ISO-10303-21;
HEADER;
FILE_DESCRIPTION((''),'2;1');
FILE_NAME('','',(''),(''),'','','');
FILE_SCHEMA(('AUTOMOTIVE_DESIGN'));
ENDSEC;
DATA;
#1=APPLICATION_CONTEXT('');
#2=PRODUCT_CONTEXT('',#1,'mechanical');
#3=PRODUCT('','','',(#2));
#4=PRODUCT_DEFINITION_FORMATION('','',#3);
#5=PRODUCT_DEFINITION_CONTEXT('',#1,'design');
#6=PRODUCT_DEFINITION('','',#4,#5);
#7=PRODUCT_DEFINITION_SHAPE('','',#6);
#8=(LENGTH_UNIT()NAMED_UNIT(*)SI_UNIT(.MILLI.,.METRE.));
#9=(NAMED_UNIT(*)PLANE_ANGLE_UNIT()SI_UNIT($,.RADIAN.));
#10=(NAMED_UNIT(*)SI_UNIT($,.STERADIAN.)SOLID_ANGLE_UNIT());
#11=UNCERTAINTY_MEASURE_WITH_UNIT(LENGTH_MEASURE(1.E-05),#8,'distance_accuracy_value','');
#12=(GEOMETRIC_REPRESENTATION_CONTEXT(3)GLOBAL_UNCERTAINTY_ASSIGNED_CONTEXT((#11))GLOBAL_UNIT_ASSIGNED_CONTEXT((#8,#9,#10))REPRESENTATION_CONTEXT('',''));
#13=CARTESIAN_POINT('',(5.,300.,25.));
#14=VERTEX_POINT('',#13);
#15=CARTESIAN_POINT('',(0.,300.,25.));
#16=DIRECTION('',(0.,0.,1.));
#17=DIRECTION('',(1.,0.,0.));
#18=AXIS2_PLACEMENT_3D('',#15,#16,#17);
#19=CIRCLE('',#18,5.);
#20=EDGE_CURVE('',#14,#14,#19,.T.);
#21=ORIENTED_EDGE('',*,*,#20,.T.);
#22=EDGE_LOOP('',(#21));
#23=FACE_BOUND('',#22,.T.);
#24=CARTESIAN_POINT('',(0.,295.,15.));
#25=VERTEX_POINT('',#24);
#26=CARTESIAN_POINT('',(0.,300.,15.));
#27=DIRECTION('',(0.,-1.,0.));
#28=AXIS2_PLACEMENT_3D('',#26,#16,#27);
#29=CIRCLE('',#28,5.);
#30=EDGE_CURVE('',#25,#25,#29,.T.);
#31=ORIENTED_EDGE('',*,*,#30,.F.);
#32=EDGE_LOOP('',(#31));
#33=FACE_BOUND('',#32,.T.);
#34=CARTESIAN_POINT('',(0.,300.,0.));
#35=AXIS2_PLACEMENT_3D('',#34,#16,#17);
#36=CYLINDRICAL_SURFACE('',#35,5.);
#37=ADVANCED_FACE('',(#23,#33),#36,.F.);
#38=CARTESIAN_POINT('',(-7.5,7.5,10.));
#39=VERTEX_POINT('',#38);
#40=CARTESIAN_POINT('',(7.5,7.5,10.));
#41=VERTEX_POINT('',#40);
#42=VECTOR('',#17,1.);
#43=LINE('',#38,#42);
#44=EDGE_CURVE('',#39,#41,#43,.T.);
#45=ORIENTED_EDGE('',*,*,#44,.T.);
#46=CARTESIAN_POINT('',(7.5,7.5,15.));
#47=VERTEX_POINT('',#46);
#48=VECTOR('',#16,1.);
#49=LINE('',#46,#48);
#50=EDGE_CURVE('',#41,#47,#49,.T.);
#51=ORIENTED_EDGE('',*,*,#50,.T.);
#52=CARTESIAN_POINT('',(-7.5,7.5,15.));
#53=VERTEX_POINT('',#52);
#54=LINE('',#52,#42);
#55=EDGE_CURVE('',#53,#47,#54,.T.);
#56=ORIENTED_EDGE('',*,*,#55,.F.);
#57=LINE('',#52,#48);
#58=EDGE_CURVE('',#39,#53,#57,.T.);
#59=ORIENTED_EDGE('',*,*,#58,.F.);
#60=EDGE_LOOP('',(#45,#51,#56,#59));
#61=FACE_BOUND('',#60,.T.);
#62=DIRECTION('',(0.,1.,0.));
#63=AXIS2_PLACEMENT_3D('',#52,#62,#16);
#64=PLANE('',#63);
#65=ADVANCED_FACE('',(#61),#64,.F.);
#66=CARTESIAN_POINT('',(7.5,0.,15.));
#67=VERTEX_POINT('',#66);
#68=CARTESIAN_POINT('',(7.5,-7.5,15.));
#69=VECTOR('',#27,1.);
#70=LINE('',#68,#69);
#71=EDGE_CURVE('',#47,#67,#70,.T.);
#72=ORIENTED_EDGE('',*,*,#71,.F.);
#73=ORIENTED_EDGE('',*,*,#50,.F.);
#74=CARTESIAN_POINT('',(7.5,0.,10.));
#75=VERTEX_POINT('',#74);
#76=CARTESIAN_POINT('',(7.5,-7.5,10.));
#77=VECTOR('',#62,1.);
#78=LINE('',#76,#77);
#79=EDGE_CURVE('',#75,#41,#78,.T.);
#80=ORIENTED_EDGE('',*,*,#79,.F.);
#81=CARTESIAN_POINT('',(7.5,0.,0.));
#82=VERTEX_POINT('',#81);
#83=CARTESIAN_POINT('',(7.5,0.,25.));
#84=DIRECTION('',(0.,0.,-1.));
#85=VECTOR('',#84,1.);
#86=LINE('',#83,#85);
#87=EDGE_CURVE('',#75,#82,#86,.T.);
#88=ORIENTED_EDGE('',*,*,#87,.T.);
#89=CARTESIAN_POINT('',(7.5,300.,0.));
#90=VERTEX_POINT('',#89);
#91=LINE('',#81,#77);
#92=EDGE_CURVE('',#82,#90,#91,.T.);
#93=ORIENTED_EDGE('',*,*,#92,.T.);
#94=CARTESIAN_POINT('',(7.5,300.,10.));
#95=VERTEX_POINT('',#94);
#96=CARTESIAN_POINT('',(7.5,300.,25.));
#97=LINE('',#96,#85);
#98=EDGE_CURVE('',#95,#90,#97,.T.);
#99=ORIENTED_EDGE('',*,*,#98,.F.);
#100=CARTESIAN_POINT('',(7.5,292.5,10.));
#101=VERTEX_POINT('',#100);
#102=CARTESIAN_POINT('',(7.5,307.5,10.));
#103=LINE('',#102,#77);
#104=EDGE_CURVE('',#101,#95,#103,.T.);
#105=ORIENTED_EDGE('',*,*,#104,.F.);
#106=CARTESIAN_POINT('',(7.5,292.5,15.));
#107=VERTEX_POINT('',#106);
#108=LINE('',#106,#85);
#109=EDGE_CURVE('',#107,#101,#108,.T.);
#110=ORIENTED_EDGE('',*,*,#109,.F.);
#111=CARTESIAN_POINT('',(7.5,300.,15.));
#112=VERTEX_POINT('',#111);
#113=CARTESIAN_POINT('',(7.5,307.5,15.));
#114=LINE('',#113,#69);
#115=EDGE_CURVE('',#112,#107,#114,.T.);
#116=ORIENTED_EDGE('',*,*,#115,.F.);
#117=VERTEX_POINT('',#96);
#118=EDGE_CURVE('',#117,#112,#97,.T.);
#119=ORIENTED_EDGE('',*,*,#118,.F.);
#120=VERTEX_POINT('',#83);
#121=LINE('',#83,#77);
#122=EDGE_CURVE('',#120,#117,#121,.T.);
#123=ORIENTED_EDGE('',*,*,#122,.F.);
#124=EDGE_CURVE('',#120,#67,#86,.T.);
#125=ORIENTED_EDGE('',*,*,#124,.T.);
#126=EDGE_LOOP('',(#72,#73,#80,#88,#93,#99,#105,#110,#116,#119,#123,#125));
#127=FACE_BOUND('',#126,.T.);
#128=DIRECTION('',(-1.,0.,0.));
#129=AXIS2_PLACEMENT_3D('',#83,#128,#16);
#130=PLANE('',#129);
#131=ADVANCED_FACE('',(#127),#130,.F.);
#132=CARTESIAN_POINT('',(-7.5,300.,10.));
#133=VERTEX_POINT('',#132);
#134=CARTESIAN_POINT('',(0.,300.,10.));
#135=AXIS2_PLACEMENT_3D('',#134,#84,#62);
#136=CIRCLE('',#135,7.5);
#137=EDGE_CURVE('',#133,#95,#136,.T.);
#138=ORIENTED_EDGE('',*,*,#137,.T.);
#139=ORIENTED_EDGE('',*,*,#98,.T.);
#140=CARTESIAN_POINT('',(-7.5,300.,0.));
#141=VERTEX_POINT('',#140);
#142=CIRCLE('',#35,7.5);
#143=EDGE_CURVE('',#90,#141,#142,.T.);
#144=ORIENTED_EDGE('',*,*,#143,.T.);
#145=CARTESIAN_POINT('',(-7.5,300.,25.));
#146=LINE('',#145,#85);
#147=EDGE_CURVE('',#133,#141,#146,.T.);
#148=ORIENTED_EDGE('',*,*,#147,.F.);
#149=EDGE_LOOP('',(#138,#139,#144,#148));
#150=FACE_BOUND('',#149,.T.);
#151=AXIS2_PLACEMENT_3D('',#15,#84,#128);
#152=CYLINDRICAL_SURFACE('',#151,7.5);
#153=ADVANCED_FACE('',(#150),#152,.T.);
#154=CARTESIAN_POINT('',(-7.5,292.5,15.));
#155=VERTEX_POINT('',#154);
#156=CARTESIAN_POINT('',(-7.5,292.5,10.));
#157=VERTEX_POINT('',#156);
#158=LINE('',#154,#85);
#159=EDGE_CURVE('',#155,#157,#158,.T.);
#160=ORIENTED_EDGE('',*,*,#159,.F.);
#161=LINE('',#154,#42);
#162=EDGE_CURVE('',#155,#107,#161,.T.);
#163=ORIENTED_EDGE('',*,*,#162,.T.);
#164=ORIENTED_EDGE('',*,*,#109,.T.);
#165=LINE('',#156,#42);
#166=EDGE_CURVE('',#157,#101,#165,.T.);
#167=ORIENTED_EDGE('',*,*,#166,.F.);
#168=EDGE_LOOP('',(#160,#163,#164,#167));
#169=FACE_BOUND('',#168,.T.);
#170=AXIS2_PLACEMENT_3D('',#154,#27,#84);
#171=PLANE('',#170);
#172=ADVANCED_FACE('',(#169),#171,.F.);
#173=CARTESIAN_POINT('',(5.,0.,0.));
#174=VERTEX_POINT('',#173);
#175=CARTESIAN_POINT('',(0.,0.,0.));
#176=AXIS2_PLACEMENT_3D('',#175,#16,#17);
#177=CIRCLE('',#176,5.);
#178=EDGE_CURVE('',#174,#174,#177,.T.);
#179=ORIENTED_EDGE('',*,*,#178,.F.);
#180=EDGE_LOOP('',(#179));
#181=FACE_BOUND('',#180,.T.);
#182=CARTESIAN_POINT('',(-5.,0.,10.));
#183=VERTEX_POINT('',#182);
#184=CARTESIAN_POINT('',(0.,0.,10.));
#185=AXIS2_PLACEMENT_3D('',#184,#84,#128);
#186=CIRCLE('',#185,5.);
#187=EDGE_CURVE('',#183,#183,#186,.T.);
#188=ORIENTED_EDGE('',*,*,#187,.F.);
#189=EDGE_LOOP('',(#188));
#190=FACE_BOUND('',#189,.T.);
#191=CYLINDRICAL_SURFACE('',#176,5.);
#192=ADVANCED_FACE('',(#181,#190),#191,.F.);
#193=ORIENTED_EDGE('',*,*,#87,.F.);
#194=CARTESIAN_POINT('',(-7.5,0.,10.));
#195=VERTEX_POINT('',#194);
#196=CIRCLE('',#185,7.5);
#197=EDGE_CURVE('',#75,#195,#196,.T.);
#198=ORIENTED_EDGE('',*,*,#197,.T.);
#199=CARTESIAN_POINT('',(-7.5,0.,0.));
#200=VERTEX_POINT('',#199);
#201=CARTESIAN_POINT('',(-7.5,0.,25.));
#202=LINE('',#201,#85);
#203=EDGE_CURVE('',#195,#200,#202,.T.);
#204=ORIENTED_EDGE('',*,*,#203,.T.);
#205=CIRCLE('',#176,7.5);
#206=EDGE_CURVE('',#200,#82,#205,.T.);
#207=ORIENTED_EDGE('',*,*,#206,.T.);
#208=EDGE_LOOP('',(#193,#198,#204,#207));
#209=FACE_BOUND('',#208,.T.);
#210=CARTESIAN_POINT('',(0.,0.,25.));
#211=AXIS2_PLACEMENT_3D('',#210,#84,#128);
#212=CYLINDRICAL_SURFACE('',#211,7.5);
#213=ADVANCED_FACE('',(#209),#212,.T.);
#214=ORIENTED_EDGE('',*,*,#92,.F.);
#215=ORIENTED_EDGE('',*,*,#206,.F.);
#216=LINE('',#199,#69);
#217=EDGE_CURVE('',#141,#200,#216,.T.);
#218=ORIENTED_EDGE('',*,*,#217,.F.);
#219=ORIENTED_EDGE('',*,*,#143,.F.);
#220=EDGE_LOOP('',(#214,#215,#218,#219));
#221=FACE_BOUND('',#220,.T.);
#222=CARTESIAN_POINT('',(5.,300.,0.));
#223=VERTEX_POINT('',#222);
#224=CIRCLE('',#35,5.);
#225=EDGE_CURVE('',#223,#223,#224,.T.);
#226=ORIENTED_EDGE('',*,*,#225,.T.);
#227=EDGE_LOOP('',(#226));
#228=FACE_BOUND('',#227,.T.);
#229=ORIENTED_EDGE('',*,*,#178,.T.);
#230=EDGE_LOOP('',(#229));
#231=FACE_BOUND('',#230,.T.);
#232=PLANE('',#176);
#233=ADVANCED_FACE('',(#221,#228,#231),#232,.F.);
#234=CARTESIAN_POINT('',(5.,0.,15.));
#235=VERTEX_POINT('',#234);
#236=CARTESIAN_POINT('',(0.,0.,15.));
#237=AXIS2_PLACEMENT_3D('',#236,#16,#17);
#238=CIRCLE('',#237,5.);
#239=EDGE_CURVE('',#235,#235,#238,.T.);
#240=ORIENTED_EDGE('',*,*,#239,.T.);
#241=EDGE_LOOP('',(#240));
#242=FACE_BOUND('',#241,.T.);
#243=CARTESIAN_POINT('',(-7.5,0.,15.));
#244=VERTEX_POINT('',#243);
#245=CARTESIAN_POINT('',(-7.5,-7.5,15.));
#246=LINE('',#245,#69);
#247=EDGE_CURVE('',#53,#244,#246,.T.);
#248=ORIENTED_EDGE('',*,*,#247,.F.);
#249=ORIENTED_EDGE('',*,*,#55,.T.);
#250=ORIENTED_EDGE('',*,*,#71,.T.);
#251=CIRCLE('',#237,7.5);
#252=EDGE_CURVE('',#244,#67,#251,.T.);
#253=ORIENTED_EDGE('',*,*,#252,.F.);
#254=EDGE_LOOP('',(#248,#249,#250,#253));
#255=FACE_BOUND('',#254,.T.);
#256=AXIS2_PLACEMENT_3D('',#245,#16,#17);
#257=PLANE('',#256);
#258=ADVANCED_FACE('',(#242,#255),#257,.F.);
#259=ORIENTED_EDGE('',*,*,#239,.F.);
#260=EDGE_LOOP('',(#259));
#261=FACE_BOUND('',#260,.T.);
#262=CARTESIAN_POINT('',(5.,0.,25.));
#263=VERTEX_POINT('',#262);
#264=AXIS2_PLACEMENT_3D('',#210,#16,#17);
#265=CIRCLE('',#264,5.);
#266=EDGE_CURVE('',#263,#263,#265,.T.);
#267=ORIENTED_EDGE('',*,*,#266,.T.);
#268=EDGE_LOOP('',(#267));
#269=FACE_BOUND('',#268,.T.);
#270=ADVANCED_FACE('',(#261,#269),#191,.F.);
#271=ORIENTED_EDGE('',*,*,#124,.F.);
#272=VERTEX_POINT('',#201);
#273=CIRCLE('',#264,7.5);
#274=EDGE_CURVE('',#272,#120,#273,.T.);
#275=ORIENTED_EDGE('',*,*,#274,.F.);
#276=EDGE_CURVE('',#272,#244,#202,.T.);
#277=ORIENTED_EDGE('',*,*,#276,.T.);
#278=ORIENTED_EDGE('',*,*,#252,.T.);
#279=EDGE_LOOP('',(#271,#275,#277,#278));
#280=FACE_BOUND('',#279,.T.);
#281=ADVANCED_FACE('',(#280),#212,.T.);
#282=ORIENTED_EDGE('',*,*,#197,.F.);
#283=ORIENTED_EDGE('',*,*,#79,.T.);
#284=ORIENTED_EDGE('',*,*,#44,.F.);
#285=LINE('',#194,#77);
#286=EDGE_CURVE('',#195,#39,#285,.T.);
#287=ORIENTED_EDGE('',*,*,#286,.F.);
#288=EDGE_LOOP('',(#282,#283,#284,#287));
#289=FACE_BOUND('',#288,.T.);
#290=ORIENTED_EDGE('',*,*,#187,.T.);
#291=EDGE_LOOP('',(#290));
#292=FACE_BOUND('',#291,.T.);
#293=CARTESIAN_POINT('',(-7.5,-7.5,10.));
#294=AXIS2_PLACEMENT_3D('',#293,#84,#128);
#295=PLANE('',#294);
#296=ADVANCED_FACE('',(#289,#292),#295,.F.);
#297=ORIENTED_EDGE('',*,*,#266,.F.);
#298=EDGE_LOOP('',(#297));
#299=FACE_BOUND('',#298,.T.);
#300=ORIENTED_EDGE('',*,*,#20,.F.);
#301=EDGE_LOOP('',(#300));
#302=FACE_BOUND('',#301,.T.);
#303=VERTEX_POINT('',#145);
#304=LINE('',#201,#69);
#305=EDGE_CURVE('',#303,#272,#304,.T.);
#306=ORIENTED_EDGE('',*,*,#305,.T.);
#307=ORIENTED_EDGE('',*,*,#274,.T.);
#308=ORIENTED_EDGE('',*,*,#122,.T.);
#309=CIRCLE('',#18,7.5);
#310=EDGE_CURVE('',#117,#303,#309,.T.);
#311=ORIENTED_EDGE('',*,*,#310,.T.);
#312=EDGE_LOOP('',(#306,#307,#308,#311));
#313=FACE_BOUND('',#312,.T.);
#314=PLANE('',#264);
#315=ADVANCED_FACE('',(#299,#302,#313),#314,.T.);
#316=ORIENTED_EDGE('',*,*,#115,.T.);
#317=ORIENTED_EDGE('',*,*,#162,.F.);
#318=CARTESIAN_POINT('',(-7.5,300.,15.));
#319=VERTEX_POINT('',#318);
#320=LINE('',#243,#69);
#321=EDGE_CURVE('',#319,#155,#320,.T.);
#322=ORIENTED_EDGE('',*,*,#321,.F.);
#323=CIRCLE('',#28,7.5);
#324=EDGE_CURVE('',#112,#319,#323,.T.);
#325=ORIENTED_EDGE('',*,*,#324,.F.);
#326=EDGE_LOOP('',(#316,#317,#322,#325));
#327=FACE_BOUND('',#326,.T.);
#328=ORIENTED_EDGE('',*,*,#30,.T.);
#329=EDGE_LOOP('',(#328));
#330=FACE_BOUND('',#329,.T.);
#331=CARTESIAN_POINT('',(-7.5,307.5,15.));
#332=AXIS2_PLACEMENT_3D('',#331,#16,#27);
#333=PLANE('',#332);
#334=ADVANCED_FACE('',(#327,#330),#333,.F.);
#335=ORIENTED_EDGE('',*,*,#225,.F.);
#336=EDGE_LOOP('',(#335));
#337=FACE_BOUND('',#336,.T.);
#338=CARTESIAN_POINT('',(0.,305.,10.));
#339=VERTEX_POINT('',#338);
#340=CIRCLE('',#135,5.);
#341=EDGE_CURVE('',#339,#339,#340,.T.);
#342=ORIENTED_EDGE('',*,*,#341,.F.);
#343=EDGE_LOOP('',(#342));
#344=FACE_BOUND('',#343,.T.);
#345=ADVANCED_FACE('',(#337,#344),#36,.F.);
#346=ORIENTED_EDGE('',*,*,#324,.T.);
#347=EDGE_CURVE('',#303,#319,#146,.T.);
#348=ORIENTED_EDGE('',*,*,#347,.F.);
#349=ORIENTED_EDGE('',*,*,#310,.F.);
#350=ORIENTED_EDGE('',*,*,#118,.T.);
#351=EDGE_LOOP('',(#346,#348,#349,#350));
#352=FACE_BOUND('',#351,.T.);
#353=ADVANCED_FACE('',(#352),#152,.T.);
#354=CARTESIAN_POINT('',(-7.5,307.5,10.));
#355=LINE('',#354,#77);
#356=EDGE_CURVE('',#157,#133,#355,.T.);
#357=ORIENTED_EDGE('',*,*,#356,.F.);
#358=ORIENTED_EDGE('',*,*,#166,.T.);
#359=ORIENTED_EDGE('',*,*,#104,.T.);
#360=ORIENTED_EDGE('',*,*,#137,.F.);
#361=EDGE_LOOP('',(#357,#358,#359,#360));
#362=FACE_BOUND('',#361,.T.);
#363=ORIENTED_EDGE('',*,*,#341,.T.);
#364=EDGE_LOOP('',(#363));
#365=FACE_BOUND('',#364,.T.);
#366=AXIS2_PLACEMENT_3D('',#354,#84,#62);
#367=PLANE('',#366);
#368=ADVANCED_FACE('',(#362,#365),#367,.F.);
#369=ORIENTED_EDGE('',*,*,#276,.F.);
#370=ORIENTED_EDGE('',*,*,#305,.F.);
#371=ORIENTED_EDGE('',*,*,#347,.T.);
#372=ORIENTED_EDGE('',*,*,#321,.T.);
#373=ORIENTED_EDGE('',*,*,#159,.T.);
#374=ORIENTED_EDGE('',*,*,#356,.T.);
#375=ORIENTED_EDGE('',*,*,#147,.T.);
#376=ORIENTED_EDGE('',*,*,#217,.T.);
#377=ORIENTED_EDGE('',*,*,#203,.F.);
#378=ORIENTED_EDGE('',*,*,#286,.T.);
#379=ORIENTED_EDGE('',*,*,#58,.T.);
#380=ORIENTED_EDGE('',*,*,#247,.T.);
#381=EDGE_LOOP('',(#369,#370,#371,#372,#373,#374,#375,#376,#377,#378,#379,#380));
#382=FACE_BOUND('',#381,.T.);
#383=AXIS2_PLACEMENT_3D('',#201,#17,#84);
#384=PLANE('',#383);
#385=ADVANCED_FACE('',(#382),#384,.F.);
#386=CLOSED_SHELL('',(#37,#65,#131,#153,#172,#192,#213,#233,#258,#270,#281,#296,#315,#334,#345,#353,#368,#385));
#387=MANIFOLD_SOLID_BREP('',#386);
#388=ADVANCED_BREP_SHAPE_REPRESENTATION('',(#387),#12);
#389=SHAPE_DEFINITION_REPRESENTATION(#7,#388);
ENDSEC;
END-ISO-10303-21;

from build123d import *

# Parameters (mm, degrees)
EXTRUDE_1_DEPTH     = 25
SKETCH_2_W          = 5
SKETCH_2_H          = 15
CUT_EXTRUDE_1_DEPTH = 309.879021625
SKETCH_3_R          = 5
CUT_EXTRUDE_2_DEPTH = 309.605735527


with BuildPart() as part:
    # 草图1 → 凸台-拉伸1 (new body)
    with BuildSketch(Plane.XY):
        with BuildLine():
            Line((-7.5, 0), (-7.5, 300))
            ThreePointArc((-7.5, 300), (0, 307.5), (7.5, 300))
            Line((7.5, 300), (7.5, 0))
            ThreePointArc((7.5, 0), (0, -7.5), (-7.5, 0))
        make_face()
    extrude(amount=EXTRUDE_1_DEPTH)

    # 草图2 → 切除-拉伸1 (cut, through all)
    with BuildSketch(Plane(origin=(7.5, 0, 0), x_dir=(0, 0, -1), z_dir=(1, 0, 0))):
        with Locations((-12.5, 300)):
            Rectangle(SKETCH_2_W, SKETCH_2_H)
        with Locations((-12.5, 0)):
            Rectangle(SKETCH_2_W, SKETCH_2_H)
    extrude(amount=-CUT_EXTRUDE_1_DEPTH, mode=Mode.SUBTRACT)

    # 草图3 → 切除-拉伸2 (cut, through all)
    with BuildSketch(Plane.XY.offset(25)):
        with Locations((0, 300)):
            Circle(SKETCH_3_R)
        Circle(SKETCH_3_R)
    extrude(amount=-CUT_EXTRUDE_2_DEPTH, mode=Mode.SUBTRACT)


solid = part.part
